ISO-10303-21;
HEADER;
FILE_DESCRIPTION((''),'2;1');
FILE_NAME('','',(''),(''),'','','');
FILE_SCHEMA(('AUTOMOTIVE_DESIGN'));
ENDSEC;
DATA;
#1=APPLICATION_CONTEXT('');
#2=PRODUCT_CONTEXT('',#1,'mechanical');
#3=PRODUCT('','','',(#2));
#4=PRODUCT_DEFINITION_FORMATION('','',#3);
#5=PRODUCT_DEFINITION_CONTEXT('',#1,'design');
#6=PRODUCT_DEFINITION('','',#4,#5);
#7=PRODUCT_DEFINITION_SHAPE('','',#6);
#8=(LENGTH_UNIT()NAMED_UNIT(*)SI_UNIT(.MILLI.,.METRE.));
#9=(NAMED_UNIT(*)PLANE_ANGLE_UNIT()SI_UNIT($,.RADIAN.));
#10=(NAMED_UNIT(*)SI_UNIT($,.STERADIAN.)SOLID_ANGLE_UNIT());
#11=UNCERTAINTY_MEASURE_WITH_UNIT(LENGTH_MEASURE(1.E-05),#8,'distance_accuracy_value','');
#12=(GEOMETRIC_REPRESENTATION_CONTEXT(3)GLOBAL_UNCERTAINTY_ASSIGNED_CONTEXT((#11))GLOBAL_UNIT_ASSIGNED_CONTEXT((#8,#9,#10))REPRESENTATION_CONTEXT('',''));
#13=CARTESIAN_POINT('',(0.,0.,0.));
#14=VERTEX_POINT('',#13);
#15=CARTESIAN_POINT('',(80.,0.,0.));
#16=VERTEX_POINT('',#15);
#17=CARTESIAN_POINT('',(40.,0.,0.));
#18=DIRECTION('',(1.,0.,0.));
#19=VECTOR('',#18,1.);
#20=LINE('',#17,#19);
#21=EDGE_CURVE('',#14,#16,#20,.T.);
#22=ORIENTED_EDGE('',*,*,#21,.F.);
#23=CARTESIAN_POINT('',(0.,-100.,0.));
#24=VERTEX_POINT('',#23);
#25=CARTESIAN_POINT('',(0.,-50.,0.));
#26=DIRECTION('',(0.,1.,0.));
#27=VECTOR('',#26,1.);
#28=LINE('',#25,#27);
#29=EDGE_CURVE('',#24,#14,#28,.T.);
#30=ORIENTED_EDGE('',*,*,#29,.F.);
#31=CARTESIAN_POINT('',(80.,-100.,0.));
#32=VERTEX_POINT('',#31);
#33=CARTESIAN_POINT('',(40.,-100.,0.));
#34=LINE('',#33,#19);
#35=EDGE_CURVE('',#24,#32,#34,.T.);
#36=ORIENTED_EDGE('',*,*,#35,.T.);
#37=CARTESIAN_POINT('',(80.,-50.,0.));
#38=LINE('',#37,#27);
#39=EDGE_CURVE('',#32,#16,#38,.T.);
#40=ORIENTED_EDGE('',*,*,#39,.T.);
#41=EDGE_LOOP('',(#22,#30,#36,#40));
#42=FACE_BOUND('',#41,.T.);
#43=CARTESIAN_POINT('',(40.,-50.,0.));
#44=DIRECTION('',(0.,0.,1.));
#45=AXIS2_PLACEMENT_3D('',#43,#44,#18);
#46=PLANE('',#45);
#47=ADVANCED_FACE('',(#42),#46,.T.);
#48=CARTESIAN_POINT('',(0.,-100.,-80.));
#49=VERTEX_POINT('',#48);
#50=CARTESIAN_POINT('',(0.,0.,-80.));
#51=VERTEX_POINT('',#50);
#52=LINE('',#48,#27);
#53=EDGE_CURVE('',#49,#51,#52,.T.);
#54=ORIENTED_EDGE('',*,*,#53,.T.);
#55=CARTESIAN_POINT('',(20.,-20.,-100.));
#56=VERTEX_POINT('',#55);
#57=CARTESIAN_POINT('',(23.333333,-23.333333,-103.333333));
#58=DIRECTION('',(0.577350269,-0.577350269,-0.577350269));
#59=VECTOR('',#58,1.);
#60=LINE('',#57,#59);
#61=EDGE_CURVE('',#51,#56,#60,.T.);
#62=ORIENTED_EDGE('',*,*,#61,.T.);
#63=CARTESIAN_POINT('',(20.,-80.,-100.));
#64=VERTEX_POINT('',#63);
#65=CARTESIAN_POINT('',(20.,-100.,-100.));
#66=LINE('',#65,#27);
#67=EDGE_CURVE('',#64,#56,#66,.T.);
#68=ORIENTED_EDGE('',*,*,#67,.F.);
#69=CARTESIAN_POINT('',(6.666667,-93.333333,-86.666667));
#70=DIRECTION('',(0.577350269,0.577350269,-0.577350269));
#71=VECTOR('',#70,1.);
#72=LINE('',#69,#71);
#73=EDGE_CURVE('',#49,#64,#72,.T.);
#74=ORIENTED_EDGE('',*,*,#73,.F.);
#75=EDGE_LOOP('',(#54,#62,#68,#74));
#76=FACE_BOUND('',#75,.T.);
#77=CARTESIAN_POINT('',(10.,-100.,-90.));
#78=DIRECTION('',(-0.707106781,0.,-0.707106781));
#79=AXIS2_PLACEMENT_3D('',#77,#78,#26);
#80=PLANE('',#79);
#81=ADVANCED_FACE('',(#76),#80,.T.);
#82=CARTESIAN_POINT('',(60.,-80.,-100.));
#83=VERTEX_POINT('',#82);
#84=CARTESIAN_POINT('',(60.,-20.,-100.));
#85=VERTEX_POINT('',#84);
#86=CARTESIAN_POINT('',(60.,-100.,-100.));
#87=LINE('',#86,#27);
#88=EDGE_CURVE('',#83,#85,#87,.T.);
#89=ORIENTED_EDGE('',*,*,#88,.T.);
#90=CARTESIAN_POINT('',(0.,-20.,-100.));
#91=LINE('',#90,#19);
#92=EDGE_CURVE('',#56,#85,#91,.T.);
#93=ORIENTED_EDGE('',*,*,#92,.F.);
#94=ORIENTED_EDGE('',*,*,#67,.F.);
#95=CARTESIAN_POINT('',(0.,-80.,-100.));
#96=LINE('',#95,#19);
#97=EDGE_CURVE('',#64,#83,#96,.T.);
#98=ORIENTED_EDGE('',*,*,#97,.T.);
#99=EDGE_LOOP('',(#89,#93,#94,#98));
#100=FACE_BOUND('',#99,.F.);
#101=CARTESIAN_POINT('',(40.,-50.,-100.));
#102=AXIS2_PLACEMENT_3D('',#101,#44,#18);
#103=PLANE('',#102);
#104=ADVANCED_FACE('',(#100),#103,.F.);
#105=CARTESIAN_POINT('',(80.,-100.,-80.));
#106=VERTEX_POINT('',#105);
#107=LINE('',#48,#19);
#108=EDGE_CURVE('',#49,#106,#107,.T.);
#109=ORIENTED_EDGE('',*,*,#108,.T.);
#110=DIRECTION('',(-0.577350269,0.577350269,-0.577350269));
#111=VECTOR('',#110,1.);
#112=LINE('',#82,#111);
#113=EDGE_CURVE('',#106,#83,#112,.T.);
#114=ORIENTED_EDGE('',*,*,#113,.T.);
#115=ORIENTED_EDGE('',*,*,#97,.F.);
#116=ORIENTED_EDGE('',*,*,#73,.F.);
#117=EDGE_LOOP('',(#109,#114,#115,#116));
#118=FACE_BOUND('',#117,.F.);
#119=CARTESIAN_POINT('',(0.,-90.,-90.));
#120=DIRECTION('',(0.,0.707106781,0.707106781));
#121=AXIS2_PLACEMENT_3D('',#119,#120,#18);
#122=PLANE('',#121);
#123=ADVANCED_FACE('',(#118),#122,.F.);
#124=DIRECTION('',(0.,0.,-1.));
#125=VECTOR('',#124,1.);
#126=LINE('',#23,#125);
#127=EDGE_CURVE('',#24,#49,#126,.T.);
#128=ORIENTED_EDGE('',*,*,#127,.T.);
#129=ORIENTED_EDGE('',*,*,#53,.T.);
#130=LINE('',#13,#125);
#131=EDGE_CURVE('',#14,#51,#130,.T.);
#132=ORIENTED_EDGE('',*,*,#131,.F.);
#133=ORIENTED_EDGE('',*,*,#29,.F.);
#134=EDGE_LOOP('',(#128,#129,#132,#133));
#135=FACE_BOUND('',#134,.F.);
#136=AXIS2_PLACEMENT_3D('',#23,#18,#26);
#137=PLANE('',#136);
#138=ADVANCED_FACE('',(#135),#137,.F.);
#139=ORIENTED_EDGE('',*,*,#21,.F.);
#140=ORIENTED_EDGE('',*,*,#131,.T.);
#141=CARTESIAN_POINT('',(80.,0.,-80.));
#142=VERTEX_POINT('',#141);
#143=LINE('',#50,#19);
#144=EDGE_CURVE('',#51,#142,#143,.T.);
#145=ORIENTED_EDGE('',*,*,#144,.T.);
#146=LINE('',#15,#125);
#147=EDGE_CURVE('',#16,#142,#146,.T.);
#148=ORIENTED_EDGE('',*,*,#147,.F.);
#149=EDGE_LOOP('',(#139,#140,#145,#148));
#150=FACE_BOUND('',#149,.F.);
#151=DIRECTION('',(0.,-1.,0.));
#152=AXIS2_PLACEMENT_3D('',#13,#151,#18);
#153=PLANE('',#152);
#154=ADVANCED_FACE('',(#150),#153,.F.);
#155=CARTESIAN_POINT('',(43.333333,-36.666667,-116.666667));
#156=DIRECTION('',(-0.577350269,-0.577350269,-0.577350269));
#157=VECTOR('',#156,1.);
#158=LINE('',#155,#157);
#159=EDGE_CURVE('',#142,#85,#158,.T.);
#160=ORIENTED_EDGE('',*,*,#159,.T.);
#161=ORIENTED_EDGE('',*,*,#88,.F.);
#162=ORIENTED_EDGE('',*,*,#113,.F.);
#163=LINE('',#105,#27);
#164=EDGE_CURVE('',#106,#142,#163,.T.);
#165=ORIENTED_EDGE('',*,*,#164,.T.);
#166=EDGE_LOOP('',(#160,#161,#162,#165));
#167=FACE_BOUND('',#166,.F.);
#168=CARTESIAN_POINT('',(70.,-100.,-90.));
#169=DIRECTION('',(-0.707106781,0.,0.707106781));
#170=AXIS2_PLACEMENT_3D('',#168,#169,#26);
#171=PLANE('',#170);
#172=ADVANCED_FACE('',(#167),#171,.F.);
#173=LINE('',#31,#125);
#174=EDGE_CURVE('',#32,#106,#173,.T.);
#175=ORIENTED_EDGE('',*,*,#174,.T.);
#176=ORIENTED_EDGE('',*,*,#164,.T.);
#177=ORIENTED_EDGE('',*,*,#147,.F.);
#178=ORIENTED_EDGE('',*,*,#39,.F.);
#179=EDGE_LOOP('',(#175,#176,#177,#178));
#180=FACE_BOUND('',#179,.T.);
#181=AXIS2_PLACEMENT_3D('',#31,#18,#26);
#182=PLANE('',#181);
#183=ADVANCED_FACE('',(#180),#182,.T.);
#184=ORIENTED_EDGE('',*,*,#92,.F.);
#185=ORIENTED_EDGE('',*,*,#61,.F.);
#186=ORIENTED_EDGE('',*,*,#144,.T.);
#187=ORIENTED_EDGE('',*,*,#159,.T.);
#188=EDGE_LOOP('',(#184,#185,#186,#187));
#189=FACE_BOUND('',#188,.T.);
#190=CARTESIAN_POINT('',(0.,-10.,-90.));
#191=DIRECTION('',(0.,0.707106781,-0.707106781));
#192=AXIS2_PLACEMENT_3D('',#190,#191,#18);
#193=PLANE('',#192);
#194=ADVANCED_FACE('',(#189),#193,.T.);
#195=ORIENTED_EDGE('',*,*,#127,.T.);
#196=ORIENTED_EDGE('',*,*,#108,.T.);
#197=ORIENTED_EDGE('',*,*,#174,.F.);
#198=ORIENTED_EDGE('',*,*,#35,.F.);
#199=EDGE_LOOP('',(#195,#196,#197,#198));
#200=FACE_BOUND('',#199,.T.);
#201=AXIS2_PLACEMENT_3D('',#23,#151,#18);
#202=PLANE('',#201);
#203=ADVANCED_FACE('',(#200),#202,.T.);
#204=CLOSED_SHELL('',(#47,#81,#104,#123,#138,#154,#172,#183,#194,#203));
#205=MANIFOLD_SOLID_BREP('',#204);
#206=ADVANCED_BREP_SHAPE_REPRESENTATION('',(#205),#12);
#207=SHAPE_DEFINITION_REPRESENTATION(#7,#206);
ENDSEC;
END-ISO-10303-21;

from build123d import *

# Parameters (mm, degrees)
F0_W     = 80
F0_H     = 100
F1_DEPTH = 100
F2_SIZE  = 20


with BuildPart() as f1:
    # F0 (on Top) → F1 (new body)
    with BuildSketch(Plane.XY):
        with Locations((40, -50)):
            Rectangle(F0_W, F0_H)
    extrude(amount=-F1_DEPTH)

    # F2
    f2_edges = [f1.edges().sort_by_distance(p)[0] for p in [
        (80, -50, -100),
        (40, -100, -100),
        (40, 0, -100),
        (0, -50, -100),
    ]]
    chamfer(f2_edges, length=F2_SIZE)


solid = f1.part
